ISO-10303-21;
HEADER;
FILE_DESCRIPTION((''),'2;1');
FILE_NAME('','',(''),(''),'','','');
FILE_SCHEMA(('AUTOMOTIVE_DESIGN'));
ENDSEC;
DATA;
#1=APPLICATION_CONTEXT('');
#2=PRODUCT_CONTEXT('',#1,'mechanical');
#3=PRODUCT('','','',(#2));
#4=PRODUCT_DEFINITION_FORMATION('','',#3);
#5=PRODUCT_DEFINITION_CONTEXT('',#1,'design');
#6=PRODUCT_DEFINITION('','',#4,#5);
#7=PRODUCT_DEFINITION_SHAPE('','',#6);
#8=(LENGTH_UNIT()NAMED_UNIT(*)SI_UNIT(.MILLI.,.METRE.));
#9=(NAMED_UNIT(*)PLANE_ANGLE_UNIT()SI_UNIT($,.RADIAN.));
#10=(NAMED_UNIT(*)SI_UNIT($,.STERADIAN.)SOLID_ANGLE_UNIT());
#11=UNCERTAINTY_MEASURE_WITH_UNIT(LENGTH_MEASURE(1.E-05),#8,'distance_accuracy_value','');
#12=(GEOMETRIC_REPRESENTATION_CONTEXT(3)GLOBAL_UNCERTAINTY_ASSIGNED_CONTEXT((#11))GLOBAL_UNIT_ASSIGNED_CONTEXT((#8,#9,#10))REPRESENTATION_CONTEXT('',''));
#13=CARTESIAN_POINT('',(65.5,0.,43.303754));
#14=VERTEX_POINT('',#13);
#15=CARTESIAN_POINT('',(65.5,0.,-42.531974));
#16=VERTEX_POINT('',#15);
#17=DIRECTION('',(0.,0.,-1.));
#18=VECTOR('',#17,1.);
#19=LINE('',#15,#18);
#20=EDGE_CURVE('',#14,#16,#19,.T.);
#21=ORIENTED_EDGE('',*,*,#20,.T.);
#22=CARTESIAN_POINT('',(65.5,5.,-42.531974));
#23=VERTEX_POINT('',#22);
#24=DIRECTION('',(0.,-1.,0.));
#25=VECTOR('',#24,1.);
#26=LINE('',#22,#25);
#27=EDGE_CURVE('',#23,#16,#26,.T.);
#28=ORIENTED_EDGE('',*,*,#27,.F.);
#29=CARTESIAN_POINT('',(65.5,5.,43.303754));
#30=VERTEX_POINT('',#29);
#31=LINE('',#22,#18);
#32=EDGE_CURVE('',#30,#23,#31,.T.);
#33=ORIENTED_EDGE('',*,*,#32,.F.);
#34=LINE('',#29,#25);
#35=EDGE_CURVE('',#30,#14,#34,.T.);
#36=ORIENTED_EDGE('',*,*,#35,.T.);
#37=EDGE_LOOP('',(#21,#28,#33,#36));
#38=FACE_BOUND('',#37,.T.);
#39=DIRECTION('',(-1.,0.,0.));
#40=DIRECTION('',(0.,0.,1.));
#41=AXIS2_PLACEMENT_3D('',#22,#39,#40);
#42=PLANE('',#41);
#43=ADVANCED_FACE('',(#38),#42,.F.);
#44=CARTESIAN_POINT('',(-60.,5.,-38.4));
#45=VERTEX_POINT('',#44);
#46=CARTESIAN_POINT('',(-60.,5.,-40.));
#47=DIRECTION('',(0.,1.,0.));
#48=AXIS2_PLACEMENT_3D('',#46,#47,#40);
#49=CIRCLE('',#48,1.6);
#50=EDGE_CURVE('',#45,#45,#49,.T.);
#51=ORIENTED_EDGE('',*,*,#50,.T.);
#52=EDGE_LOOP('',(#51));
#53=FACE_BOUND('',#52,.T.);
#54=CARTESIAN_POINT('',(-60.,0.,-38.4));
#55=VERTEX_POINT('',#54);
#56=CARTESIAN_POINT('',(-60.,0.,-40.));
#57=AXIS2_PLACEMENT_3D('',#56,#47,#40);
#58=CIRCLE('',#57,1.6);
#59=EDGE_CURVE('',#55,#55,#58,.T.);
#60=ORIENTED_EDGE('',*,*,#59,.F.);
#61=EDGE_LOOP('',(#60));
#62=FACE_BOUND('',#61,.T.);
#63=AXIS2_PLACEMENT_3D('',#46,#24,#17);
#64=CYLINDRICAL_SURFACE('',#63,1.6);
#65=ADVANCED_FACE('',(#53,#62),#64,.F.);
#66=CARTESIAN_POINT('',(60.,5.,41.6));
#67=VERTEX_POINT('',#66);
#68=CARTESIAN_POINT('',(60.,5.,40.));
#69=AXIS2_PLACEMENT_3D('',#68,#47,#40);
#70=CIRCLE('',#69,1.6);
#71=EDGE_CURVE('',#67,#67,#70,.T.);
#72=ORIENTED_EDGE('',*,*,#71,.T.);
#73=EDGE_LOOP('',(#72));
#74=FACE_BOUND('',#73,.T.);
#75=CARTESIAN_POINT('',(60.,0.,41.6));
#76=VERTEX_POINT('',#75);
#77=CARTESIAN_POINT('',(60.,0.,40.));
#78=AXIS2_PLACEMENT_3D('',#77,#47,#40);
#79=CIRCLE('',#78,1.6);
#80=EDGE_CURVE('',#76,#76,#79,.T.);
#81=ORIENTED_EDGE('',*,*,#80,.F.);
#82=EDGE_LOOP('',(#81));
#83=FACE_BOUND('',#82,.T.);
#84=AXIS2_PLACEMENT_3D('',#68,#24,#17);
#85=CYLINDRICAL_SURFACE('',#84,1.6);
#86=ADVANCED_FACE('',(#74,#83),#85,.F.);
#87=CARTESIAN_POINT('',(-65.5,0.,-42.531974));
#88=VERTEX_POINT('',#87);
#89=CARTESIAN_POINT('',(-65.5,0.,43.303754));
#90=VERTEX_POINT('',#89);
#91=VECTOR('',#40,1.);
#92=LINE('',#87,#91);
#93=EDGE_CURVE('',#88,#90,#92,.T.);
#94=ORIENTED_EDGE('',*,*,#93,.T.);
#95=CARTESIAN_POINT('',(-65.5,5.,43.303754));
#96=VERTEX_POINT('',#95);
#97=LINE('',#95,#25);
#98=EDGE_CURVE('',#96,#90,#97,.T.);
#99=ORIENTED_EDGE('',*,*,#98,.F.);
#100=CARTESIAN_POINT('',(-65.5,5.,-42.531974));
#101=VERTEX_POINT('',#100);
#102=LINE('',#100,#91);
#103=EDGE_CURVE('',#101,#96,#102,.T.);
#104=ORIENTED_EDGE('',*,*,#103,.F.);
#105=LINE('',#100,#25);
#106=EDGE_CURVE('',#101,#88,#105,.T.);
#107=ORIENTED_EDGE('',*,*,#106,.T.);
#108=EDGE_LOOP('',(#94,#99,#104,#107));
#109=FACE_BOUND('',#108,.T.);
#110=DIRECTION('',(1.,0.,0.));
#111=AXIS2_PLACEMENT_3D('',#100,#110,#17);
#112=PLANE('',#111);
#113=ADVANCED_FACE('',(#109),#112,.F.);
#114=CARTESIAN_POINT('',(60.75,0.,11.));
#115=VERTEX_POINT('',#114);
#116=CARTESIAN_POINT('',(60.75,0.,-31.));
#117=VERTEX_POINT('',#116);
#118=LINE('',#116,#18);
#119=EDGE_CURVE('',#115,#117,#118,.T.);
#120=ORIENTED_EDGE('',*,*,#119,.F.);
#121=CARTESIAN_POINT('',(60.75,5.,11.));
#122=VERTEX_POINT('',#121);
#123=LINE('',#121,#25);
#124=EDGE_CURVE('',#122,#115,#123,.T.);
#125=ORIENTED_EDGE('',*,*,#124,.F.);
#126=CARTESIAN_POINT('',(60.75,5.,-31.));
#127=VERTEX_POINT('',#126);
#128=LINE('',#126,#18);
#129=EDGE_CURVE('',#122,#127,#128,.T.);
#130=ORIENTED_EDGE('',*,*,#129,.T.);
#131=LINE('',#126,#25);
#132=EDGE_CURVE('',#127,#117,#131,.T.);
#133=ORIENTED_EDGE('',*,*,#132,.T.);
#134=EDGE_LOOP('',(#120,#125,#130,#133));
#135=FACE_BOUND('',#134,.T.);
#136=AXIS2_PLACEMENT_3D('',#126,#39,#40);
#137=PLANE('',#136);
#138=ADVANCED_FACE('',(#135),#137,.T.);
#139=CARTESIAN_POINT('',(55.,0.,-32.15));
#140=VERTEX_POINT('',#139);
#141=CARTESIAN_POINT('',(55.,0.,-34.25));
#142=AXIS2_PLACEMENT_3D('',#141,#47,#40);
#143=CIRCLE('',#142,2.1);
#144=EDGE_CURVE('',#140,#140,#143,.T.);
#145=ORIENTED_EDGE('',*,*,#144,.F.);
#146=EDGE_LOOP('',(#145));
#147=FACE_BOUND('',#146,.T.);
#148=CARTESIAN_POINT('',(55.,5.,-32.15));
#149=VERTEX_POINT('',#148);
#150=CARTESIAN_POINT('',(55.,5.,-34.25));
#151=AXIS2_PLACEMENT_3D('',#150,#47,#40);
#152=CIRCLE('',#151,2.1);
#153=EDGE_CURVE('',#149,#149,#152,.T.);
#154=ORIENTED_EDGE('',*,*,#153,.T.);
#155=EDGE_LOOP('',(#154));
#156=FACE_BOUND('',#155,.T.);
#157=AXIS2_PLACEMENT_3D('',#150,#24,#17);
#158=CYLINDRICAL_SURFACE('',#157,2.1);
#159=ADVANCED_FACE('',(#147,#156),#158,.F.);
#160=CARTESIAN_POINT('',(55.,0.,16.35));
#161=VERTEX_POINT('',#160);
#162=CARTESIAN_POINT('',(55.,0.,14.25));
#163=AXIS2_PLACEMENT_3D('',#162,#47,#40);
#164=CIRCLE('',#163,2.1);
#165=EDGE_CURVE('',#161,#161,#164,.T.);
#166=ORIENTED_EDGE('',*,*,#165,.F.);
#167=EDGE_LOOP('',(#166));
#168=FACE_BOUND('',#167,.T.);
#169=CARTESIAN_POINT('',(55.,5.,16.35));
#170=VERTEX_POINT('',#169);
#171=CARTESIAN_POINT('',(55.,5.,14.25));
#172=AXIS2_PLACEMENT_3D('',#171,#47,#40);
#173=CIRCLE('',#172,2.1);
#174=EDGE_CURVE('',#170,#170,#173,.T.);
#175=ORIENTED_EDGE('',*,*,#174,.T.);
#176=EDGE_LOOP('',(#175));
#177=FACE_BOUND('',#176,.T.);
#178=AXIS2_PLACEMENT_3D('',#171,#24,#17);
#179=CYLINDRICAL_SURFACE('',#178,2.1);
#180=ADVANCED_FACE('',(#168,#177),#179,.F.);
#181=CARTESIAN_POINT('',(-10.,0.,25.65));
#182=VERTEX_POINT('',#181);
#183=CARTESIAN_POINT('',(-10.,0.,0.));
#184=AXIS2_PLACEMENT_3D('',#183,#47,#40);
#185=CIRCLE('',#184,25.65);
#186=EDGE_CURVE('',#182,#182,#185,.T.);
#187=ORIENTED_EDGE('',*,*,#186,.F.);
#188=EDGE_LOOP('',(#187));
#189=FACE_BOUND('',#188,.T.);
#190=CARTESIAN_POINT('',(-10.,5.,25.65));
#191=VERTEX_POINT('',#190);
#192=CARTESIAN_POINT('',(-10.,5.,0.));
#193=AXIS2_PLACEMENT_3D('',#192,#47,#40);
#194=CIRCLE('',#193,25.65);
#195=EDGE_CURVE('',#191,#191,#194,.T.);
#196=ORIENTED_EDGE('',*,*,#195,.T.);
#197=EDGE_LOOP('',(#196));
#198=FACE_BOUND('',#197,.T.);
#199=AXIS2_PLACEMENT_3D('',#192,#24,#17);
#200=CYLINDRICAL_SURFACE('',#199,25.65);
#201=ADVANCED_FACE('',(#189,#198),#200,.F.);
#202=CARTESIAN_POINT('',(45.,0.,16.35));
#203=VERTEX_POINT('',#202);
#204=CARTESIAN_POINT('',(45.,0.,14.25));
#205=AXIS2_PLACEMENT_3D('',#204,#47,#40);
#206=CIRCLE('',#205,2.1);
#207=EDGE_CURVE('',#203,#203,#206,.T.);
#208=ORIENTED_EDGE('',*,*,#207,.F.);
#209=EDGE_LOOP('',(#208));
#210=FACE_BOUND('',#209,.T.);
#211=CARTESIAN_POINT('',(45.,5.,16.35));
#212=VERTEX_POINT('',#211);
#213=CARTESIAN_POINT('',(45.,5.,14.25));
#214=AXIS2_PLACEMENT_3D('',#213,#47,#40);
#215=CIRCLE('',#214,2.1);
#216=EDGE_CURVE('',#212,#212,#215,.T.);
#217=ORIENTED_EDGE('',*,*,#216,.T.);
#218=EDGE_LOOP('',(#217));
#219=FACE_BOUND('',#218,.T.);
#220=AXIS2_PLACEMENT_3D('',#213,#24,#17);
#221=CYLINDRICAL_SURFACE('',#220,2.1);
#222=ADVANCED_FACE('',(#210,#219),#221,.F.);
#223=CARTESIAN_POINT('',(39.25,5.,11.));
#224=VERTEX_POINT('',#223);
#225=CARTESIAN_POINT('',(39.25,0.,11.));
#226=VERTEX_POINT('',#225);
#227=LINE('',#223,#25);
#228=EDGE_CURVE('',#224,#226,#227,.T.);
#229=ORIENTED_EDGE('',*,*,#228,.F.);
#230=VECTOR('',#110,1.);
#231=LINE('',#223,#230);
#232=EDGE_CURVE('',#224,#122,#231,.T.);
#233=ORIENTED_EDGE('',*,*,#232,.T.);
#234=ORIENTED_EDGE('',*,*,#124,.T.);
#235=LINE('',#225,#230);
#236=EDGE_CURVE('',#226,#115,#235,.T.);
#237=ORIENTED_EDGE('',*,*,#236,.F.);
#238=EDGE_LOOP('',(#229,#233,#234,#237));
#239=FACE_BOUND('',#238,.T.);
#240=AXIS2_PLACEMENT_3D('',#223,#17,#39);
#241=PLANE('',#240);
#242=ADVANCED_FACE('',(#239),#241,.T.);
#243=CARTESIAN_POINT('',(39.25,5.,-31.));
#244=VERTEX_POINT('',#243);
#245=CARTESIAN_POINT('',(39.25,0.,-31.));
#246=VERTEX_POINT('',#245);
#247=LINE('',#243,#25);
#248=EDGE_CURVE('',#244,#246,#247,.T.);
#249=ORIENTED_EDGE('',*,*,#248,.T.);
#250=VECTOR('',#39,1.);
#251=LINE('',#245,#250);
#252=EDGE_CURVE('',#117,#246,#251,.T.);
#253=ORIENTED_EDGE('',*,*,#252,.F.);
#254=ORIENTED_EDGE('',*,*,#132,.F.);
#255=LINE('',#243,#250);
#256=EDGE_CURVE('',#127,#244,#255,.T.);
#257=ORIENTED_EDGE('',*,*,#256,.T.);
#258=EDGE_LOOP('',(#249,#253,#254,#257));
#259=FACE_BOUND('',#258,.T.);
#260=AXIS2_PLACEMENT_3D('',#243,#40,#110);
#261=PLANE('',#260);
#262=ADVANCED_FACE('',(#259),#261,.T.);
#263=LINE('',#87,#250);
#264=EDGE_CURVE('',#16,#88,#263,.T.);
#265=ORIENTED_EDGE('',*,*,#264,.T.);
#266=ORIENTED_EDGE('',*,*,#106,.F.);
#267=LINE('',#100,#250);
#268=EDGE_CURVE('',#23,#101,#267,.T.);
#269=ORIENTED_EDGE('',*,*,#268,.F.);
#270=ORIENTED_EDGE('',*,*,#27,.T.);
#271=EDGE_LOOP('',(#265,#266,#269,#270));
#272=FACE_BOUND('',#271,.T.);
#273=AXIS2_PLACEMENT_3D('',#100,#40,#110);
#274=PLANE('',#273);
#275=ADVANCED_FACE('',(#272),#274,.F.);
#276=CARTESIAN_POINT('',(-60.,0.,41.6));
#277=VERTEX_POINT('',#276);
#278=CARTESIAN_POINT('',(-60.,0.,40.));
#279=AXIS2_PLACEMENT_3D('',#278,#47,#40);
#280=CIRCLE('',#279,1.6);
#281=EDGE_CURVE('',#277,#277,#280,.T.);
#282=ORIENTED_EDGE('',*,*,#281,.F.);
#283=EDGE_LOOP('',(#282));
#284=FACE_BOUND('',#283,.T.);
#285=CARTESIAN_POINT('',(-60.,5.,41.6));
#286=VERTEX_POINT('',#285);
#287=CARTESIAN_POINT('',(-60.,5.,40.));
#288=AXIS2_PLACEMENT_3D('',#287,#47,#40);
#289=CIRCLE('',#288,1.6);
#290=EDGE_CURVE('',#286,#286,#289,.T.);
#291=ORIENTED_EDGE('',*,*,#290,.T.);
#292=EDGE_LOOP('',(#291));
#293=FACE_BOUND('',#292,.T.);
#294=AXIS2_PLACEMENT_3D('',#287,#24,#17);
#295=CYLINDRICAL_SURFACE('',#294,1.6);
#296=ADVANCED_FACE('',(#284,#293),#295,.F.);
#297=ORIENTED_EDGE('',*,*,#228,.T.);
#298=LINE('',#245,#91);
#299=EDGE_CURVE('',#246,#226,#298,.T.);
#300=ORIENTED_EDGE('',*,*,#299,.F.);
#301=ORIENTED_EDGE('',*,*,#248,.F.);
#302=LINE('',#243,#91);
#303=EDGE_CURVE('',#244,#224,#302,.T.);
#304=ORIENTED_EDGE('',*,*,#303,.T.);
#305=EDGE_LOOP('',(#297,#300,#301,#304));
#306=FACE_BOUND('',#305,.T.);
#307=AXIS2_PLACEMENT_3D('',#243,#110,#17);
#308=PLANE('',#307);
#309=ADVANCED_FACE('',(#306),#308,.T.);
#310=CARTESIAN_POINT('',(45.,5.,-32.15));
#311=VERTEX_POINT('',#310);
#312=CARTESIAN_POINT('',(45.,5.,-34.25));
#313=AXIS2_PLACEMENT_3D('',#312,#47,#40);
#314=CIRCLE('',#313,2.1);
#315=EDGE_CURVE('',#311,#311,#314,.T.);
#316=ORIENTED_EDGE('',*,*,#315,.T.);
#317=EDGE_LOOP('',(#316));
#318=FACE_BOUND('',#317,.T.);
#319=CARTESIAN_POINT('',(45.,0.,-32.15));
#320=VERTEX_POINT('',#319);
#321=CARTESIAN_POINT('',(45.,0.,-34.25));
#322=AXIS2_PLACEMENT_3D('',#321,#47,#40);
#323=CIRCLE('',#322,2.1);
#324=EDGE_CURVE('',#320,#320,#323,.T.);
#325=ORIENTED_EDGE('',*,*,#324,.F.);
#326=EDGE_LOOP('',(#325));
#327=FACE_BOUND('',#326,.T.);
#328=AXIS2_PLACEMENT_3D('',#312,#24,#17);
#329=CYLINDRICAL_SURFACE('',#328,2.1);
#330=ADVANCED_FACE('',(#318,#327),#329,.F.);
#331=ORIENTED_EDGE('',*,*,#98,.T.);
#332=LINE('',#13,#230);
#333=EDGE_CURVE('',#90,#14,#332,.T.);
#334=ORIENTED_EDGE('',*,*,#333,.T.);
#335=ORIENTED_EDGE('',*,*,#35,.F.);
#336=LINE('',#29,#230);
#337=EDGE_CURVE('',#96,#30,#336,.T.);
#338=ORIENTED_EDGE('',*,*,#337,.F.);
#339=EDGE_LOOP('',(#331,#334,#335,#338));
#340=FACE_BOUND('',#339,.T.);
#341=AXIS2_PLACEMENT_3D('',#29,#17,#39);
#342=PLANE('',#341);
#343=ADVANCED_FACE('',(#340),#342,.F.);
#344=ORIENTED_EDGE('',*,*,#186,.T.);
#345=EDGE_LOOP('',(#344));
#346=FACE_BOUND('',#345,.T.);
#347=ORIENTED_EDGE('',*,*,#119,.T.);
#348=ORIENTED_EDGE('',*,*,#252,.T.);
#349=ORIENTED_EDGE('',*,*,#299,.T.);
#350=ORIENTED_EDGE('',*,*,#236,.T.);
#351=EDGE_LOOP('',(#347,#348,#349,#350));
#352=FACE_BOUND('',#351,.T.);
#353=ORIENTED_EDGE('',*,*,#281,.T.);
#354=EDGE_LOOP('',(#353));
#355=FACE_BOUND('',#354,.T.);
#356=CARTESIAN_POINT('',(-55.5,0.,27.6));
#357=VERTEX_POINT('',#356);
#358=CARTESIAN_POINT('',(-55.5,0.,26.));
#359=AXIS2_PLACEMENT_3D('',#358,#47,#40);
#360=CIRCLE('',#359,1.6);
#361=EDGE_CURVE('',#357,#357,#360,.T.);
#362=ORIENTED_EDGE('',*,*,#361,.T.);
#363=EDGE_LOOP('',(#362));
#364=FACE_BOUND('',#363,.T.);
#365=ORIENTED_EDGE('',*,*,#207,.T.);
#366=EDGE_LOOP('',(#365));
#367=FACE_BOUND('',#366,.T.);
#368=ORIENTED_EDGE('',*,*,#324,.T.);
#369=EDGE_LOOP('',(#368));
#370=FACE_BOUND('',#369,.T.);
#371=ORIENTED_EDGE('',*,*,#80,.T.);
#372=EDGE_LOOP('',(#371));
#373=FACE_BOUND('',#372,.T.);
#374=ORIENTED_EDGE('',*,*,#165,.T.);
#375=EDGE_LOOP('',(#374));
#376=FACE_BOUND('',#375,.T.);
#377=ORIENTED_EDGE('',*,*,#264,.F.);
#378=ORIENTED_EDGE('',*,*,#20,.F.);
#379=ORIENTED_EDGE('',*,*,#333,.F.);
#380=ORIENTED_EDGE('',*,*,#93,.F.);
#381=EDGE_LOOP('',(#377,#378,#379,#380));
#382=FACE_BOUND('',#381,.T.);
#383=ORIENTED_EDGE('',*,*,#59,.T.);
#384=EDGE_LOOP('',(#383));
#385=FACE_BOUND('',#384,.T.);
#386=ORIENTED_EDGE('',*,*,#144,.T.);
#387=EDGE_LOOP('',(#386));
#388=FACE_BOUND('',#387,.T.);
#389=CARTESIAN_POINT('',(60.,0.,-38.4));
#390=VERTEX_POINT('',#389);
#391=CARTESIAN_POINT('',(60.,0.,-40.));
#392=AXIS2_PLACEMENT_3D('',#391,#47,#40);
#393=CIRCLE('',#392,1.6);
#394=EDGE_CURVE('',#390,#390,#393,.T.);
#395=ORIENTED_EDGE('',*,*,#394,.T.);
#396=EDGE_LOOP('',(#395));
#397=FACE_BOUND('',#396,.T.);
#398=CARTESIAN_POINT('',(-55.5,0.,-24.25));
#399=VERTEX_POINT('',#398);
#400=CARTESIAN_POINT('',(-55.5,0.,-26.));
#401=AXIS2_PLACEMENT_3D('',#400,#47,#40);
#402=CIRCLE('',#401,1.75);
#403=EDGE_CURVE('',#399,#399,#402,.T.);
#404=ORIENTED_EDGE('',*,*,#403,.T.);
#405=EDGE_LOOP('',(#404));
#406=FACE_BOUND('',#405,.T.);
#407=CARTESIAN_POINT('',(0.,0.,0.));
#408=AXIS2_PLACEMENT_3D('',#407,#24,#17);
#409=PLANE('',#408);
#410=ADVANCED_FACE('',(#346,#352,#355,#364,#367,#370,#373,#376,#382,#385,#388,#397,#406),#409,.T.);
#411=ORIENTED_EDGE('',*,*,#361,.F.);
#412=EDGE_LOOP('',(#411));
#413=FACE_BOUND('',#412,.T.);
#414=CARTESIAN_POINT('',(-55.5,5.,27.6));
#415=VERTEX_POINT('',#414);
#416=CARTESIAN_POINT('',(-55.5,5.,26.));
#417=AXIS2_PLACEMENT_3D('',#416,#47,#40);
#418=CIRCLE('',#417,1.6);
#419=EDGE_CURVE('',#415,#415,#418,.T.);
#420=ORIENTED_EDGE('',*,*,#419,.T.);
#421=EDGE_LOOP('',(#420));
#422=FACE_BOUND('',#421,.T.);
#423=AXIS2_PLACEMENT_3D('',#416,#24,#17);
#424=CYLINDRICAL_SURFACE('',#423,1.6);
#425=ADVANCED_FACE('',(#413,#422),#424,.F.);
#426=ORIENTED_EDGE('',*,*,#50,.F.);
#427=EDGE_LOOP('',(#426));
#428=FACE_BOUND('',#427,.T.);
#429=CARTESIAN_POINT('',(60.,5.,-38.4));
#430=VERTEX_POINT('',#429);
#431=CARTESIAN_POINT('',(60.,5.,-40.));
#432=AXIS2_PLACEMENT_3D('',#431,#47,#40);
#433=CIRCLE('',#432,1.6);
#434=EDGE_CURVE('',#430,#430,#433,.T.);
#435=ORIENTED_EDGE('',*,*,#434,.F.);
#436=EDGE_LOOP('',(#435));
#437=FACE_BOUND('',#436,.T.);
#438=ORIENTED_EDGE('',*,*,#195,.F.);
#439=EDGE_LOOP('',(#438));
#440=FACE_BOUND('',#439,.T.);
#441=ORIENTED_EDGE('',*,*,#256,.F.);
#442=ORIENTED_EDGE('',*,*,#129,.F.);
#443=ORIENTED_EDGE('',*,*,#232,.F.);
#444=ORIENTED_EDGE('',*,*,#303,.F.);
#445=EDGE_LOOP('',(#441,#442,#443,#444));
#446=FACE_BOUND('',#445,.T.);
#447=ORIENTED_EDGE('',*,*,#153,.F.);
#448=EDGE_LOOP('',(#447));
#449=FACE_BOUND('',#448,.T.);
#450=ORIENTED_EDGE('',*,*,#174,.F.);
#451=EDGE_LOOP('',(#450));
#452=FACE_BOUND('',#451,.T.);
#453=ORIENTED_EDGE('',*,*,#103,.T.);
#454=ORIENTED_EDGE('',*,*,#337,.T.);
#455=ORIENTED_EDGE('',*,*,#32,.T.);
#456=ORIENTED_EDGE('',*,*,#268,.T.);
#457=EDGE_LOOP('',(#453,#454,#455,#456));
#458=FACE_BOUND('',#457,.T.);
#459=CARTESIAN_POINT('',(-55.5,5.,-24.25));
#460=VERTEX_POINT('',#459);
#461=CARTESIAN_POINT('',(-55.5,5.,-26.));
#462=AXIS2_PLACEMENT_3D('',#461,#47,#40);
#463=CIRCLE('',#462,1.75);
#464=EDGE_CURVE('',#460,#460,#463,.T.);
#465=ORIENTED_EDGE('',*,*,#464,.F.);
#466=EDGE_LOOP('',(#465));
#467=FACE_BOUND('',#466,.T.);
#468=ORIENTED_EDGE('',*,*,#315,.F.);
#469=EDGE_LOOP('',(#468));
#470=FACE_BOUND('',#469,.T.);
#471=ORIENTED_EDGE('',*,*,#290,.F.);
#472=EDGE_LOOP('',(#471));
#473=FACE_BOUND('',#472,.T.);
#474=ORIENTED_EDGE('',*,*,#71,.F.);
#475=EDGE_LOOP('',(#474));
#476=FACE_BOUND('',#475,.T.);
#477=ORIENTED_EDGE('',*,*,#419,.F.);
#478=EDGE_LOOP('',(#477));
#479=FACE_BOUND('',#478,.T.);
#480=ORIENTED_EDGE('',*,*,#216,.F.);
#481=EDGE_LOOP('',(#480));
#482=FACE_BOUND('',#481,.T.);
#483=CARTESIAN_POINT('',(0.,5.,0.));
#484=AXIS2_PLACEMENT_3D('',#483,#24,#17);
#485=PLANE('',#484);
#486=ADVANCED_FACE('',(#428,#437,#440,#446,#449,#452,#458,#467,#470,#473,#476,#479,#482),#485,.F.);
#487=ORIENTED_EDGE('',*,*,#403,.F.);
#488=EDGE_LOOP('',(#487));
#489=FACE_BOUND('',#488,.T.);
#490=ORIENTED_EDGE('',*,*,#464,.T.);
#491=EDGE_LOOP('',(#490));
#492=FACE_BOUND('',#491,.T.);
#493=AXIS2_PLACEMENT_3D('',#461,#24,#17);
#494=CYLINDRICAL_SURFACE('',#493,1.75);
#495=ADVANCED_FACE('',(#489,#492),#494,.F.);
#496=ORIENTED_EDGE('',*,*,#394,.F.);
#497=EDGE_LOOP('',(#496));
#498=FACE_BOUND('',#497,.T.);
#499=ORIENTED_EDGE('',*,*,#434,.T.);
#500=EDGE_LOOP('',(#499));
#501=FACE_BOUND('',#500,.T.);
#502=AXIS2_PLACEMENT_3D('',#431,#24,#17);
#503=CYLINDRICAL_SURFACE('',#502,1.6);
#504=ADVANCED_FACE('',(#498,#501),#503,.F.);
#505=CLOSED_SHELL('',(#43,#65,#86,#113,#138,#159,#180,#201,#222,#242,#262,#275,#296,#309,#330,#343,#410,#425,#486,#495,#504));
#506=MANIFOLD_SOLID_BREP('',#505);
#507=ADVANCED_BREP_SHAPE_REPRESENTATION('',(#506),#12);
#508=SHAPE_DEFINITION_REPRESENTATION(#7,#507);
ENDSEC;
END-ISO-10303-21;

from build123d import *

# Parameters (mm, degrees)
SKETCH1_W           = 131
SKETCH1_H           = 85.8357277
SKETCH1_R           = 1.6
SKETCH1_R_2         = 2.1
SKETCH1_R_3         = 1.75
SKETCH1_R_4         = 25.65
SKETCH1_W_2         = 21.5
SKETCH1_H_2         = 42
BOSS_EXTRUDE1_DEPTH = 5


with BuildPart() as part:
    # Sketch1 → Boss-Extrude1 (new body)
    with BuildSketch(Plane(origin=(0, 0, 0), x_dir=(1, 0, 0), z_dir=(0, 1, 0))):
        with Locations((0, -0.385889954)):
            Rectangle(SKETCH1_W, SKETCH1_H)
        with Locations(Location((-55.5, -26, 0), (0, 0, 270))):
            Circle(SKETCH1_R, mode=Mode.SUBTRACT)
        with Locations(Location((-60, -40, 0), (0, 0, 270))):
            Circle(SKETCH1_R, mode=Mode.SUBTRACT)
        with Locations(Location((60, -40, 0), (0, 0, 270))):
            Circle(SKETCH1_R, mode=Mode.SUBTRACT)
        with Locations(Location((60, 40, 0), (0, 0, 270))):
            Circle(SKETCH1_R, mode=Mode.SUBTRACT)
        with Locations(Location((45, 34.25, 0), (0, 0, 270))):
            Circle(SKETCH1_R_2, mode=Mode.SUBTRACT)
        with Locations(Location((55, 34.25, 0), (0, 0, 270))):
            Circle(SKETCH1_R_2, mode=Mode.SUBTRACT)
        with Locations(Location((-55.5, 26, 0), (0, 0, 270))):
            Circle(SKETCH1_R_3, mode=Mode.SUBTRACT)
        with Locations(Location((45, -14.25, 0), (0, 0, 270))):
            Circle(SKETCH1_R_2, mode=Mode.SUBTRACT)
        with Locations(Location((-10, 0, 0), (0, 0, 270))):
            Circle(SKETCH1_R_4, mode=Mode.SUBTRACT)
        with Locations(Location((-60, 40, 0), (0, 0, 270))):
            Circle(SKETCH1_R, mode=Mode.SUBTRACT)
        with Locations(Location((55, -14.25, 0), (0, 0, 270))):
            Circle(SKETCH1_R_2, mode=Mode.SUBTRACT)
        with Locations((50, 10)):
            Rectangle(SKETCH1_W_2, SKETCH1_H_2, mode=Mode.SUBTRACT)
    extrude(amount=BOSS_EXTRUDE1_DEPTH)


solid = part.part
